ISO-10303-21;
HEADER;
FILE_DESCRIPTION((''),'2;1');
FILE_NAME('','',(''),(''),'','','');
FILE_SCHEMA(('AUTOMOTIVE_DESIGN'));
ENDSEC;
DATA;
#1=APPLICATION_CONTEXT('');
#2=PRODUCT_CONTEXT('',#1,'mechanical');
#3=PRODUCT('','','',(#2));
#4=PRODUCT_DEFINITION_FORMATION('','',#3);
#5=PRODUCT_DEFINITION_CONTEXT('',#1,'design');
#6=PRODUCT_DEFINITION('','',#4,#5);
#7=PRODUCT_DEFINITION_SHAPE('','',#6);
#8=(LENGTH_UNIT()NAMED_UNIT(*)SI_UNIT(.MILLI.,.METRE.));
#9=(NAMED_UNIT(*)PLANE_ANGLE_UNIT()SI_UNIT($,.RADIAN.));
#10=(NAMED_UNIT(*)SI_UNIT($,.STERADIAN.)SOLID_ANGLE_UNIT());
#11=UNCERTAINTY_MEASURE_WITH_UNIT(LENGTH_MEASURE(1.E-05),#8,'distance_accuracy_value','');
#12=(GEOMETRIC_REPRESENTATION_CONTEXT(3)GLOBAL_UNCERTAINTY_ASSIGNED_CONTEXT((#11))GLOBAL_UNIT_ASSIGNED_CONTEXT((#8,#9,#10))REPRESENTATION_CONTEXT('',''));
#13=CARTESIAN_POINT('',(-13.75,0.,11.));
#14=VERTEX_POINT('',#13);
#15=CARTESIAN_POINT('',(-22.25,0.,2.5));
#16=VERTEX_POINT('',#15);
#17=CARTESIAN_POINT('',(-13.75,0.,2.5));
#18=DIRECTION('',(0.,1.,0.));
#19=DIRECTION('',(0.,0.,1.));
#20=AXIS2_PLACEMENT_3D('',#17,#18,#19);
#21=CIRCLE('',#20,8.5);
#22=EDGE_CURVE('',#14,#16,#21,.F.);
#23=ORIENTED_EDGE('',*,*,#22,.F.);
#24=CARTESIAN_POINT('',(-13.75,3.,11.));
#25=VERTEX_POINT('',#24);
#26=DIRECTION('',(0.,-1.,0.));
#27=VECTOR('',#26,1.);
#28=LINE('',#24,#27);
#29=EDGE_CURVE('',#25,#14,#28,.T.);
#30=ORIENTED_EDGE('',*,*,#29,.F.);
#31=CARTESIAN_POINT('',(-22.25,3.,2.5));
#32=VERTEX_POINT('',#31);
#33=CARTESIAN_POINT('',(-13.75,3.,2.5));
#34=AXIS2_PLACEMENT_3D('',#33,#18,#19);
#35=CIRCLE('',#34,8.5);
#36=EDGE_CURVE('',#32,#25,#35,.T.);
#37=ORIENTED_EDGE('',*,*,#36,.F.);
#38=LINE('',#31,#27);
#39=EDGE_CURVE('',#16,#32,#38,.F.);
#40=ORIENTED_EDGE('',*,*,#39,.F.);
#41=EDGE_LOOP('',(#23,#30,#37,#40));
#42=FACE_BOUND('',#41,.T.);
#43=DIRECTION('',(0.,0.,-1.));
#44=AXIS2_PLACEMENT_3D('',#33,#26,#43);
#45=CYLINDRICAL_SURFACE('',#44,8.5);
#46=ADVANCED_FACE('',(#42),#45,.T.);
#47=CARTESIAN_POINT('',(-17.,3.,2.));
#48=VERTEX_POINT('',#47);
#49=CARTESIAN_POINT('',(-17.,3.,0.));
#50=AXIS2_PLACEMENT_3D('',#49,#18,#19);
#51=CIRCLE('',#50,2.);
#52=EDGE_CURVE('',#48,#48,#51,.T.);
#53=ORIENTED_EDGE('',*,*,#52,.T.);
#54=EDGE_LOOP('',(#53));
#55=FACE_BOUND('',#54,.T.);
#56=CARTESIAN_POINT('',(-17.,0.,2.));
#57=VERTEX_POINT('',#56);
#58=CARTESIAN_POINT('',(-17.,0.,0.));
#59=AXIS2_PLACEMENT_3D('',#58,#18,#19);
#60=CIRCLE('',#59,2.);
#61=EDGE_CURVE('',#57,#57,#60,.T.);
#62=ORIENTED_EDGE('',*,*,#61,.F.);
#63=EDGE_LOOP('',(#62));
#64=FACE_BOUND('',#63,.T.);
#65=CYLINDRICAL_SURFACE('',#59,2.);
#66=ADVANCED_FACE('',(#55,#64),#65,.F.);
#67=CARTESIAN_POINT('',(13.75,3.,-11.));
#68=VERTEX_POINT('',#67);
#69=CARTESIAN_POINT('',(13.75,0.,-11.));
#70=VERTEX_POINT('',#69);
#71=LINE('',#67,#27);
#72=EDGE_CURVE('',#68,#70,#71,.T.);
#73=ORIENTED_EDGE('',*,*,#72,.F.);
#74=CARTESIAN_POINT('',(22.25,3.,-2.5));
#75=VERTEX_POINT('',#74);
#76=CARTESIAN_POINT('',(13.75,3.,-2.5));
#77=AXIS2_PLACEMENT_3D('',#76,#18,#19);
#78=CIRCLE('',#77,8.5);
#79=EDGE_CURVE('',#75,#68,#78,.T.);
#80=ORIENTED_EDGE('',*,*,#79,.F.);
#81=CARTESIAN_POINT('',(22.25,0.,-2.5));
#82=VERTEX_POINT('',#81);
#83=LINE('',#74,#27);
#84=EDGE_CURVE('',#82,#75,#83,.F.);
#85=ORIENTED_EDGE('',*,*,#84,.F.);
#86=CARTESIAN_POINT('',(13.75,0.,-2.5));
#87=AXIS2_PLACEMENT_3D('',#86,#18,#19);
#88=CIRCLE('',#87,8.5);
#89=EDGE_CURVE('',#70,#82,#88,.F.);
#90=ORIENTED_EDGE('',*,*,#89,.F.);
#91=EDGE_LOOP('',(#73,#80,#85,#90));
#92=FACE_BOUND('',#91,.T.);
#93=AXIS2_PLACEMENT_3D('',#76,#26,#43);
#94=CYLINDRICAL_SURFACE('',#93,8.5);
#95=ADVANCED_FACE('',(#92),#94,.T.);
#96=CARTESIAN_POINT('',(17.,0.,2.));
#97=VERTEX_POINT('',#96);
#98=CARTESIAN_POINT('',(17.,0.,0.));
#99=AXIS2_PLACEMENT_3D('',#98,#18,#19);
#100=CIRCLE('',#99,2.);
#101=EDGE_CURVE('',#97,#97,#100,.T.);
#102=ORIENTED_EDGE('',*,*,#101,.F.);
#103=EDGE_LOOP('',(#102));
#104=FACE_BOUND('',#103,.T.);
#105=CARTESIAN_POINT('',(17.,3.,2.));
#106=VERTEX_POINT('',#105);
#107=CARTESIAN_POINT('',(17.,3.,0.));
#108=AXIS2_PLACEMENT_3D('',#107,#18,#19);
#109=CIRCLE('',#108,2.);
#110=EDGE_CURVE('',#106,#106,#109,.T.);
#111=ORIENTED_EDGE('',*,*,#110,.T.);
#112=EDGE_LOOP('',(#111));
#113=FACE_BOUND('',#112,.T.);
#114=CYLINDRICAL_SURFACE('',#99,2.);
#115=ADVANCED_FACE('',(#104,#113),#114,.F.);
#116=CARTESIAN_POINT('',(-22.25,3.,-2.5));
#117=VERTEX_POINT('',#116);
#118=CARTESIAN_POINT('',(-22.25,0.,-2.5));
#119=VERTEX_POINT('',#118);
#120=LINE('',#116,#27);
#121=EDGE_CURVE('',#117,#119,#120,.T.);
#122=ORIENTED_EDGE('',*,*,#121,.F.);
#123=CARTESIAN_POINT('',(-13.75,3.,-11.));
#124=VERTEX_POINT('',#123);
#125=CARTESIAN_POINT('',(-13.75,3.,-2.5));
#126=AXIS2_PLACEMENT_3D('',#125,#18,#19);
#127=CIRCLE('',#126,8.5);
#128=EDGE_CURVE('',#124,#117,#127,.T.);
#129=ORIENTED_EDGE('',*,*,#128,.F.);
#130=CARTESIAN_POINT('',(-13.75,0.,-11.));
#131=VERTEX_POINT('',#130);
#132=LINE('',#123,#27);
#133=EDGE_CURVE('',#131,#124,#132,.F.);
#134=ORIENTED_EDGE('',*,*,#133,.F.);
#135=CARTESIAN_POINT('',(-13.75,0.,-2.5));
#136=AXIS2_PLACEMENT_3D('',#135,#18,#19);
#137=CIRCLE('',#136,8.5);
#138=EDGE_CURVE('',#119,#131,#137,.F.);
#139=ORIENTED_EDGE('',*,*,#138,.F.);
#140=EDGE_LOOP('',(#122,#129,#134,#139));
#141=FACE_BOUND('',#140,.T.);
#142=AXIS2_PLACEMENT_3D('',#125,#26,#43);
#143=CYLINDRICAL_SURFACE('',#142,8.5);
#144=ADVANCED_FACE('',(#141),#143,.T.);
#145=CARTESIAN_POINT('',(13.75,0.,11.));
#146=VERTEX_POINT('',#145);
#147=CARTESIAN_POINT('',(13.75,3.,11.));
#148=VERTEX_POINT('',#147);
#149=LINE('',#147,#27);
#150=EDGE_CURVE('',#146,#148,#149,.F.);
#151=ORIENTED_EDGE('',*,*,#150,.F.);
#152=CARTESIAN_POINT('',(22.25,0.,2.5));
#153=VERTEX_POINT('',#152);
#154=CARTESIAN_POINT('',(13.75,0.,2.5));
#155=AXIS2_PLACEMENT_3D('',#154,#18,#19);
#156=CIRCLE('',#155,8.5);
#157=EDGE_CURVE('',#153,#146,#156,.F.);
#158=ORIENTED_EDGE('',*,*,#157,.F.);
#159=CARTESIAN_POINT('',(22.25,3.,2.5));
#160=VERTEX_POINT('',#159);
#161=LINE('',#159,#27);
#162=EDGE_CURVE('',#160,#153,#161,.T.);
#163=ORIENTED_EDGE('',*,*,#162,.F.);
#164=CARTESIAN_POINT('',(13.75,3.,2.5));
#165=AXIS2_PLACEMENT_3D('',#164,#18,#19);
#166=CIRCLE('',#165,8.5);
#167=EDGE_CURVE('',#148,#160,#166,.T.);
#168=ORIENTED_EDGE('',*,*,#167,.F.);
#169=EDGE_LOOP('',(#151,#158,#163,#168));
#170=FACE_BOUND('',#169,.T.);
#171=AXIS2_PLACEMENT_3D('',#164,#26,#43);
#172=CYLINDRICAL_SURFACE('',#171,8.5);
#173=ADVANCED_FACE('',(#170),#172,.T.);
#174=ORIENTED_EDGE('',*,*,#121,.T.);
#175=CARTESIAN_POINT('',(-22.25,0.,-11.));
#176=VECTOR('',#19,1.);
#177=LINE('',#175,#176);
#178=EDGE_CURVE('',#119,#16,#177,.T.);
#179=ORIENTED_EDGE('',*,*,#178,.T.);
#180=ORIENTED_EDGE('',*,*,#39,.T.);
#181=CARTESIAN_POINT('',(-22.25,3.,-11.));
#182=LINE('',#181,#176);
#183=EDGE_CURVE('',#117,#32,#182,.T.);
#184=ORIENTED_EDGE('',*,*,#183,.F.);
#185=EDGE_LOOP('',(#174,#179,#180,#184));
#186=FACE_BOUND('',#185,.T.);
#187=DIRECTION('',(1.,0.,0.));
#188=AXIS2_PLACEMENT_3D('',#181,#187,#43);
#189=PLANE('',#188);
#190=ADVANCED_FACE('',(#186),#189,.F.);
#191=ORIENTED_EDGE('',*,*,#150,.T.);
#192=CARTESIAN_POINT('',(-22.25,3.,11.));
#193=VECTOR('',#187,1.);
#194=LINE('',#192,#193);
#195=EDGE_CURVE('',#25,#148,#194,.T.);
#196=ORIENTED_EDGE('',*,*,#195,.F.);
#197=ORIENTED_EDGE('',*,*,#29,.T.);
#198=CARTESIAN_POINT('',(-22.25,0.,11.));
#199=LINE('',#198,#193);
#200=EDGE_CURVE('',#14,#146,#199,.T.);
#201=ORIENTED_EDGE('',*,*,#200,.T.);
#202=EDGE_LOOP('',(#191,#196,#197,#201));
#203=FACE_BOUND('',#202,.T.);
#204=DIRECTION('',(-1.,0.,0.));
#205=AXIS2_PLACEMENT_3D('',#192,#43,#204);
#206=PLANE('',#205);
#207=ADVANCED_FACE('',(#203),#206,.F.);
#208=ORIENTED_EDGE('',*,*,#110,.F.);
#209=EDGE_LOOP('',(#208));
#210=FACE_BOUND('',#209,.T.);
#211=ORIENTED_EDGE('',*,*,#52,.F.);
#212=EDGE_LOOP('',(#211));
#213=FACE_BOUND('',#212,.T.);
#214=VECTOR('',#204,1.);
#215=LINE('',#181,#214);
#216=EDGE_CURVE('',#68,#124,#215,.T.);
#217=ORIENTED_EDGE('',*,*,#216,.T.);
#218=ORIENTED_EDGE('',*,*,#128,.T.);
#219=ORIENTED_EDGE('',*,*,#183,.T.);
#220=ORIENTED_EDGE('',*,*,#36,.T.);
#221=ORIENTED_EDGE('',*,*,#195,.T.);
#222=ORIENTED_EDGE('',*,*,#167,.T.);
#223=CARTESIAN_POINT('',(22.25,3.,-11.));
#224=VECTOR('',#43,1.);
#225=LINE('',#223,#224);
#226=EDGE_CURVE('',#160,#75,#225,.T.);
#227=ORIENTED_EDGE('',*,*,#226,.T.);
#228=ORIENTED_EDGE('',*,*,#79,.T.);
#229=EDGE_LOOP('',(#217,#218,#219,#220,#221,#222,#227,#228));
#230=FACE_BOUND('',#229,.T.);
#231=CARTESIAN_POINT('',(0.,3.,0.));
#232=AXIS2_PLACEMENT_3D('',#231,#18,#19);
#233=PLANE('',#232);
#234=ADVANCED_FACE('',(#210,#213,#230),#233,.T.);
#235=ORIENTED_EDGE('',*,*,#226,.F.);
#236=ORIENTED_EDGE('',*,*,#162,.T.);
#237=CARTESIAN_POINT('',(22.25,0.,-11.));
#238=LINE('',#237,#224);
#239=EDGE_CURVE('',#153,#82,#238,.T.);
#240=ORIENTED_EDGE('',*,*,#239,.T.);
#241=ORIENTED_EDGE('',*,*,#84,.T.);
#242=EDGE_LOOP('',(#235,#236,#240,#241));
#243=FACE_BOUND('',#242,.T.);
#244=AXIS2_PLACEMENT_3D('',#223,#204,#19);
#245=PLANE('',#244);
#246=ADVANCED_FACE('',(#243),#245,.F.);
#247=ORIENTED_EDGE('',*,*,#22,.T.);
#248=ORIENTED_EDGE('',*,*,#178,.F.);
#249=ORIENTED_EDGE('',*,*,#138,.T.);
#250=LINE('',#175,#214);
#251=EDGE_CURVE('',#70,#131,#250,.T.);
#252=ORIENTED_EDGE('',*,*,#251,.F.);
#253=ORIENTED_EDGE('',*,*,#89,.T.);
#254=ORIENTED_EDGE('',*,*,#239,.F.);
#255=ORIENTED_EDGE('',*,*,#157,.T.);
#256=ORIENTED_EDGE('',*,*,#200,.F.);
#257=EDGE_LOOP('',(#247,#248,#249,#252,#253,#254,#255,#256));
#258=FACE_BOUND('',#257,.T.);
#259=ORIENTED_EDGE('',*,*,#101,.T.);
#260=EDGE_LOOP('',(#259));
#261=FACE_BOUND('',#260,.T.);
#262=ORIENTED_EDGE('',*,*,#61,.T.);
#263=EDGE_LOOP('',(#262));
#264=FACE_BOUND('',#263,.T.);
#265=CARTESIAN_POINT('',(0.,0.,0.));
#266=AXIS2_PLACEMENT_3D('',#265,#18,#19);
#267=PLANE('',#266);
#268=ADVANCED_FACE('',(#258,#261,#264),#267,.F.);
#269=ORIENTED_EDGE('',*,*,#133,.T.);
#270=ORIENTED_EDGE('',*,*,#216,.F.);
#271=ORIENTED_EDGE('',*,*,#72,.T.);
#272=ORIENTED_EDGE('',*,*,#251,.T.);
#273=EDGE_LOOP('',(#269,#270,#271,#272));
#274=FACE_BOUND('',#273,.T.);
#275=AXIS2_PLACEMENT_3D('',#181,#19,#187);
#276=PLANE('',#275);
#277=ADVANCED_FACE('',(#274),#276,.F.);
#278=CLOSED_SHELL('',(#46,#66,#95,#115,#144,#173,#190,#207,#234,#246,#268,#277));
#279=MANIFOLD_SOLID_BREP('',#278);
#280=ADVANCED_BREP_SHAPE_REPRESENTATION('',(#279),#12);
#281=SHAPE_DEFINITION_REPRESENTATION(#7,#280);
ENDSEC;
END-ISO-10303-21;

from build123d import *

# Parameters (mm, degrees)
ESBO_O1_W                = 44.5
ESBO_O1_H                = 22
RESSALTO_EXTRUS_O1_DEPTH = 3
FILETE1_R                = 8.5
ESBO_O2_R                = 2
CORTE_EXTRUS_O1_DEPTH    = 26.001249969


with BuildPart() as part:
    # Esboço1 → Ressalto-extrusão1 (new body)
    with BuildSketch(Plane(origin=(0, 0, 0), x_dir=(1, 0, 0), z_dir=(0, 1, 0))):
        Rectangle(ESBO_O1_W, ESBO_O1_H)
    extrude(amount=RESSALTO_EXTRUS_O1_DEPTH)

    # Filete1
    filete1_edges = [part.edges().sort_by_distance(p)[0] for p in [
        (22.25, 1.5, 11),
        (-22.25, 1.5, 11),
        (-22.25, 1.5, -11),
        (22.25, 1.5, -11),
    ]]
    fillet(filete1_edges, radius=FILETE1_R)

    # Esboço2 → Corte-extrusão1 (cut, through all)
    with BuildSketch(Plane(origin=(0, 3, 0), x_dir=(1, 0, 0), z_dir=(0, 1, 0))):
        with Locations(Location((-17, 0, 0), (0, 0, 270))):
            Circle(ESBO_O2_R)
        with Locations(Location((17, 0, 0), (0, 0, 270))):
            Circle(ESBO_O2_R)
    extrude(amount=-CORTE_EXTRUS_O1_DEPTH, mode=Mode.SUBTRACT)


solid = part.part
